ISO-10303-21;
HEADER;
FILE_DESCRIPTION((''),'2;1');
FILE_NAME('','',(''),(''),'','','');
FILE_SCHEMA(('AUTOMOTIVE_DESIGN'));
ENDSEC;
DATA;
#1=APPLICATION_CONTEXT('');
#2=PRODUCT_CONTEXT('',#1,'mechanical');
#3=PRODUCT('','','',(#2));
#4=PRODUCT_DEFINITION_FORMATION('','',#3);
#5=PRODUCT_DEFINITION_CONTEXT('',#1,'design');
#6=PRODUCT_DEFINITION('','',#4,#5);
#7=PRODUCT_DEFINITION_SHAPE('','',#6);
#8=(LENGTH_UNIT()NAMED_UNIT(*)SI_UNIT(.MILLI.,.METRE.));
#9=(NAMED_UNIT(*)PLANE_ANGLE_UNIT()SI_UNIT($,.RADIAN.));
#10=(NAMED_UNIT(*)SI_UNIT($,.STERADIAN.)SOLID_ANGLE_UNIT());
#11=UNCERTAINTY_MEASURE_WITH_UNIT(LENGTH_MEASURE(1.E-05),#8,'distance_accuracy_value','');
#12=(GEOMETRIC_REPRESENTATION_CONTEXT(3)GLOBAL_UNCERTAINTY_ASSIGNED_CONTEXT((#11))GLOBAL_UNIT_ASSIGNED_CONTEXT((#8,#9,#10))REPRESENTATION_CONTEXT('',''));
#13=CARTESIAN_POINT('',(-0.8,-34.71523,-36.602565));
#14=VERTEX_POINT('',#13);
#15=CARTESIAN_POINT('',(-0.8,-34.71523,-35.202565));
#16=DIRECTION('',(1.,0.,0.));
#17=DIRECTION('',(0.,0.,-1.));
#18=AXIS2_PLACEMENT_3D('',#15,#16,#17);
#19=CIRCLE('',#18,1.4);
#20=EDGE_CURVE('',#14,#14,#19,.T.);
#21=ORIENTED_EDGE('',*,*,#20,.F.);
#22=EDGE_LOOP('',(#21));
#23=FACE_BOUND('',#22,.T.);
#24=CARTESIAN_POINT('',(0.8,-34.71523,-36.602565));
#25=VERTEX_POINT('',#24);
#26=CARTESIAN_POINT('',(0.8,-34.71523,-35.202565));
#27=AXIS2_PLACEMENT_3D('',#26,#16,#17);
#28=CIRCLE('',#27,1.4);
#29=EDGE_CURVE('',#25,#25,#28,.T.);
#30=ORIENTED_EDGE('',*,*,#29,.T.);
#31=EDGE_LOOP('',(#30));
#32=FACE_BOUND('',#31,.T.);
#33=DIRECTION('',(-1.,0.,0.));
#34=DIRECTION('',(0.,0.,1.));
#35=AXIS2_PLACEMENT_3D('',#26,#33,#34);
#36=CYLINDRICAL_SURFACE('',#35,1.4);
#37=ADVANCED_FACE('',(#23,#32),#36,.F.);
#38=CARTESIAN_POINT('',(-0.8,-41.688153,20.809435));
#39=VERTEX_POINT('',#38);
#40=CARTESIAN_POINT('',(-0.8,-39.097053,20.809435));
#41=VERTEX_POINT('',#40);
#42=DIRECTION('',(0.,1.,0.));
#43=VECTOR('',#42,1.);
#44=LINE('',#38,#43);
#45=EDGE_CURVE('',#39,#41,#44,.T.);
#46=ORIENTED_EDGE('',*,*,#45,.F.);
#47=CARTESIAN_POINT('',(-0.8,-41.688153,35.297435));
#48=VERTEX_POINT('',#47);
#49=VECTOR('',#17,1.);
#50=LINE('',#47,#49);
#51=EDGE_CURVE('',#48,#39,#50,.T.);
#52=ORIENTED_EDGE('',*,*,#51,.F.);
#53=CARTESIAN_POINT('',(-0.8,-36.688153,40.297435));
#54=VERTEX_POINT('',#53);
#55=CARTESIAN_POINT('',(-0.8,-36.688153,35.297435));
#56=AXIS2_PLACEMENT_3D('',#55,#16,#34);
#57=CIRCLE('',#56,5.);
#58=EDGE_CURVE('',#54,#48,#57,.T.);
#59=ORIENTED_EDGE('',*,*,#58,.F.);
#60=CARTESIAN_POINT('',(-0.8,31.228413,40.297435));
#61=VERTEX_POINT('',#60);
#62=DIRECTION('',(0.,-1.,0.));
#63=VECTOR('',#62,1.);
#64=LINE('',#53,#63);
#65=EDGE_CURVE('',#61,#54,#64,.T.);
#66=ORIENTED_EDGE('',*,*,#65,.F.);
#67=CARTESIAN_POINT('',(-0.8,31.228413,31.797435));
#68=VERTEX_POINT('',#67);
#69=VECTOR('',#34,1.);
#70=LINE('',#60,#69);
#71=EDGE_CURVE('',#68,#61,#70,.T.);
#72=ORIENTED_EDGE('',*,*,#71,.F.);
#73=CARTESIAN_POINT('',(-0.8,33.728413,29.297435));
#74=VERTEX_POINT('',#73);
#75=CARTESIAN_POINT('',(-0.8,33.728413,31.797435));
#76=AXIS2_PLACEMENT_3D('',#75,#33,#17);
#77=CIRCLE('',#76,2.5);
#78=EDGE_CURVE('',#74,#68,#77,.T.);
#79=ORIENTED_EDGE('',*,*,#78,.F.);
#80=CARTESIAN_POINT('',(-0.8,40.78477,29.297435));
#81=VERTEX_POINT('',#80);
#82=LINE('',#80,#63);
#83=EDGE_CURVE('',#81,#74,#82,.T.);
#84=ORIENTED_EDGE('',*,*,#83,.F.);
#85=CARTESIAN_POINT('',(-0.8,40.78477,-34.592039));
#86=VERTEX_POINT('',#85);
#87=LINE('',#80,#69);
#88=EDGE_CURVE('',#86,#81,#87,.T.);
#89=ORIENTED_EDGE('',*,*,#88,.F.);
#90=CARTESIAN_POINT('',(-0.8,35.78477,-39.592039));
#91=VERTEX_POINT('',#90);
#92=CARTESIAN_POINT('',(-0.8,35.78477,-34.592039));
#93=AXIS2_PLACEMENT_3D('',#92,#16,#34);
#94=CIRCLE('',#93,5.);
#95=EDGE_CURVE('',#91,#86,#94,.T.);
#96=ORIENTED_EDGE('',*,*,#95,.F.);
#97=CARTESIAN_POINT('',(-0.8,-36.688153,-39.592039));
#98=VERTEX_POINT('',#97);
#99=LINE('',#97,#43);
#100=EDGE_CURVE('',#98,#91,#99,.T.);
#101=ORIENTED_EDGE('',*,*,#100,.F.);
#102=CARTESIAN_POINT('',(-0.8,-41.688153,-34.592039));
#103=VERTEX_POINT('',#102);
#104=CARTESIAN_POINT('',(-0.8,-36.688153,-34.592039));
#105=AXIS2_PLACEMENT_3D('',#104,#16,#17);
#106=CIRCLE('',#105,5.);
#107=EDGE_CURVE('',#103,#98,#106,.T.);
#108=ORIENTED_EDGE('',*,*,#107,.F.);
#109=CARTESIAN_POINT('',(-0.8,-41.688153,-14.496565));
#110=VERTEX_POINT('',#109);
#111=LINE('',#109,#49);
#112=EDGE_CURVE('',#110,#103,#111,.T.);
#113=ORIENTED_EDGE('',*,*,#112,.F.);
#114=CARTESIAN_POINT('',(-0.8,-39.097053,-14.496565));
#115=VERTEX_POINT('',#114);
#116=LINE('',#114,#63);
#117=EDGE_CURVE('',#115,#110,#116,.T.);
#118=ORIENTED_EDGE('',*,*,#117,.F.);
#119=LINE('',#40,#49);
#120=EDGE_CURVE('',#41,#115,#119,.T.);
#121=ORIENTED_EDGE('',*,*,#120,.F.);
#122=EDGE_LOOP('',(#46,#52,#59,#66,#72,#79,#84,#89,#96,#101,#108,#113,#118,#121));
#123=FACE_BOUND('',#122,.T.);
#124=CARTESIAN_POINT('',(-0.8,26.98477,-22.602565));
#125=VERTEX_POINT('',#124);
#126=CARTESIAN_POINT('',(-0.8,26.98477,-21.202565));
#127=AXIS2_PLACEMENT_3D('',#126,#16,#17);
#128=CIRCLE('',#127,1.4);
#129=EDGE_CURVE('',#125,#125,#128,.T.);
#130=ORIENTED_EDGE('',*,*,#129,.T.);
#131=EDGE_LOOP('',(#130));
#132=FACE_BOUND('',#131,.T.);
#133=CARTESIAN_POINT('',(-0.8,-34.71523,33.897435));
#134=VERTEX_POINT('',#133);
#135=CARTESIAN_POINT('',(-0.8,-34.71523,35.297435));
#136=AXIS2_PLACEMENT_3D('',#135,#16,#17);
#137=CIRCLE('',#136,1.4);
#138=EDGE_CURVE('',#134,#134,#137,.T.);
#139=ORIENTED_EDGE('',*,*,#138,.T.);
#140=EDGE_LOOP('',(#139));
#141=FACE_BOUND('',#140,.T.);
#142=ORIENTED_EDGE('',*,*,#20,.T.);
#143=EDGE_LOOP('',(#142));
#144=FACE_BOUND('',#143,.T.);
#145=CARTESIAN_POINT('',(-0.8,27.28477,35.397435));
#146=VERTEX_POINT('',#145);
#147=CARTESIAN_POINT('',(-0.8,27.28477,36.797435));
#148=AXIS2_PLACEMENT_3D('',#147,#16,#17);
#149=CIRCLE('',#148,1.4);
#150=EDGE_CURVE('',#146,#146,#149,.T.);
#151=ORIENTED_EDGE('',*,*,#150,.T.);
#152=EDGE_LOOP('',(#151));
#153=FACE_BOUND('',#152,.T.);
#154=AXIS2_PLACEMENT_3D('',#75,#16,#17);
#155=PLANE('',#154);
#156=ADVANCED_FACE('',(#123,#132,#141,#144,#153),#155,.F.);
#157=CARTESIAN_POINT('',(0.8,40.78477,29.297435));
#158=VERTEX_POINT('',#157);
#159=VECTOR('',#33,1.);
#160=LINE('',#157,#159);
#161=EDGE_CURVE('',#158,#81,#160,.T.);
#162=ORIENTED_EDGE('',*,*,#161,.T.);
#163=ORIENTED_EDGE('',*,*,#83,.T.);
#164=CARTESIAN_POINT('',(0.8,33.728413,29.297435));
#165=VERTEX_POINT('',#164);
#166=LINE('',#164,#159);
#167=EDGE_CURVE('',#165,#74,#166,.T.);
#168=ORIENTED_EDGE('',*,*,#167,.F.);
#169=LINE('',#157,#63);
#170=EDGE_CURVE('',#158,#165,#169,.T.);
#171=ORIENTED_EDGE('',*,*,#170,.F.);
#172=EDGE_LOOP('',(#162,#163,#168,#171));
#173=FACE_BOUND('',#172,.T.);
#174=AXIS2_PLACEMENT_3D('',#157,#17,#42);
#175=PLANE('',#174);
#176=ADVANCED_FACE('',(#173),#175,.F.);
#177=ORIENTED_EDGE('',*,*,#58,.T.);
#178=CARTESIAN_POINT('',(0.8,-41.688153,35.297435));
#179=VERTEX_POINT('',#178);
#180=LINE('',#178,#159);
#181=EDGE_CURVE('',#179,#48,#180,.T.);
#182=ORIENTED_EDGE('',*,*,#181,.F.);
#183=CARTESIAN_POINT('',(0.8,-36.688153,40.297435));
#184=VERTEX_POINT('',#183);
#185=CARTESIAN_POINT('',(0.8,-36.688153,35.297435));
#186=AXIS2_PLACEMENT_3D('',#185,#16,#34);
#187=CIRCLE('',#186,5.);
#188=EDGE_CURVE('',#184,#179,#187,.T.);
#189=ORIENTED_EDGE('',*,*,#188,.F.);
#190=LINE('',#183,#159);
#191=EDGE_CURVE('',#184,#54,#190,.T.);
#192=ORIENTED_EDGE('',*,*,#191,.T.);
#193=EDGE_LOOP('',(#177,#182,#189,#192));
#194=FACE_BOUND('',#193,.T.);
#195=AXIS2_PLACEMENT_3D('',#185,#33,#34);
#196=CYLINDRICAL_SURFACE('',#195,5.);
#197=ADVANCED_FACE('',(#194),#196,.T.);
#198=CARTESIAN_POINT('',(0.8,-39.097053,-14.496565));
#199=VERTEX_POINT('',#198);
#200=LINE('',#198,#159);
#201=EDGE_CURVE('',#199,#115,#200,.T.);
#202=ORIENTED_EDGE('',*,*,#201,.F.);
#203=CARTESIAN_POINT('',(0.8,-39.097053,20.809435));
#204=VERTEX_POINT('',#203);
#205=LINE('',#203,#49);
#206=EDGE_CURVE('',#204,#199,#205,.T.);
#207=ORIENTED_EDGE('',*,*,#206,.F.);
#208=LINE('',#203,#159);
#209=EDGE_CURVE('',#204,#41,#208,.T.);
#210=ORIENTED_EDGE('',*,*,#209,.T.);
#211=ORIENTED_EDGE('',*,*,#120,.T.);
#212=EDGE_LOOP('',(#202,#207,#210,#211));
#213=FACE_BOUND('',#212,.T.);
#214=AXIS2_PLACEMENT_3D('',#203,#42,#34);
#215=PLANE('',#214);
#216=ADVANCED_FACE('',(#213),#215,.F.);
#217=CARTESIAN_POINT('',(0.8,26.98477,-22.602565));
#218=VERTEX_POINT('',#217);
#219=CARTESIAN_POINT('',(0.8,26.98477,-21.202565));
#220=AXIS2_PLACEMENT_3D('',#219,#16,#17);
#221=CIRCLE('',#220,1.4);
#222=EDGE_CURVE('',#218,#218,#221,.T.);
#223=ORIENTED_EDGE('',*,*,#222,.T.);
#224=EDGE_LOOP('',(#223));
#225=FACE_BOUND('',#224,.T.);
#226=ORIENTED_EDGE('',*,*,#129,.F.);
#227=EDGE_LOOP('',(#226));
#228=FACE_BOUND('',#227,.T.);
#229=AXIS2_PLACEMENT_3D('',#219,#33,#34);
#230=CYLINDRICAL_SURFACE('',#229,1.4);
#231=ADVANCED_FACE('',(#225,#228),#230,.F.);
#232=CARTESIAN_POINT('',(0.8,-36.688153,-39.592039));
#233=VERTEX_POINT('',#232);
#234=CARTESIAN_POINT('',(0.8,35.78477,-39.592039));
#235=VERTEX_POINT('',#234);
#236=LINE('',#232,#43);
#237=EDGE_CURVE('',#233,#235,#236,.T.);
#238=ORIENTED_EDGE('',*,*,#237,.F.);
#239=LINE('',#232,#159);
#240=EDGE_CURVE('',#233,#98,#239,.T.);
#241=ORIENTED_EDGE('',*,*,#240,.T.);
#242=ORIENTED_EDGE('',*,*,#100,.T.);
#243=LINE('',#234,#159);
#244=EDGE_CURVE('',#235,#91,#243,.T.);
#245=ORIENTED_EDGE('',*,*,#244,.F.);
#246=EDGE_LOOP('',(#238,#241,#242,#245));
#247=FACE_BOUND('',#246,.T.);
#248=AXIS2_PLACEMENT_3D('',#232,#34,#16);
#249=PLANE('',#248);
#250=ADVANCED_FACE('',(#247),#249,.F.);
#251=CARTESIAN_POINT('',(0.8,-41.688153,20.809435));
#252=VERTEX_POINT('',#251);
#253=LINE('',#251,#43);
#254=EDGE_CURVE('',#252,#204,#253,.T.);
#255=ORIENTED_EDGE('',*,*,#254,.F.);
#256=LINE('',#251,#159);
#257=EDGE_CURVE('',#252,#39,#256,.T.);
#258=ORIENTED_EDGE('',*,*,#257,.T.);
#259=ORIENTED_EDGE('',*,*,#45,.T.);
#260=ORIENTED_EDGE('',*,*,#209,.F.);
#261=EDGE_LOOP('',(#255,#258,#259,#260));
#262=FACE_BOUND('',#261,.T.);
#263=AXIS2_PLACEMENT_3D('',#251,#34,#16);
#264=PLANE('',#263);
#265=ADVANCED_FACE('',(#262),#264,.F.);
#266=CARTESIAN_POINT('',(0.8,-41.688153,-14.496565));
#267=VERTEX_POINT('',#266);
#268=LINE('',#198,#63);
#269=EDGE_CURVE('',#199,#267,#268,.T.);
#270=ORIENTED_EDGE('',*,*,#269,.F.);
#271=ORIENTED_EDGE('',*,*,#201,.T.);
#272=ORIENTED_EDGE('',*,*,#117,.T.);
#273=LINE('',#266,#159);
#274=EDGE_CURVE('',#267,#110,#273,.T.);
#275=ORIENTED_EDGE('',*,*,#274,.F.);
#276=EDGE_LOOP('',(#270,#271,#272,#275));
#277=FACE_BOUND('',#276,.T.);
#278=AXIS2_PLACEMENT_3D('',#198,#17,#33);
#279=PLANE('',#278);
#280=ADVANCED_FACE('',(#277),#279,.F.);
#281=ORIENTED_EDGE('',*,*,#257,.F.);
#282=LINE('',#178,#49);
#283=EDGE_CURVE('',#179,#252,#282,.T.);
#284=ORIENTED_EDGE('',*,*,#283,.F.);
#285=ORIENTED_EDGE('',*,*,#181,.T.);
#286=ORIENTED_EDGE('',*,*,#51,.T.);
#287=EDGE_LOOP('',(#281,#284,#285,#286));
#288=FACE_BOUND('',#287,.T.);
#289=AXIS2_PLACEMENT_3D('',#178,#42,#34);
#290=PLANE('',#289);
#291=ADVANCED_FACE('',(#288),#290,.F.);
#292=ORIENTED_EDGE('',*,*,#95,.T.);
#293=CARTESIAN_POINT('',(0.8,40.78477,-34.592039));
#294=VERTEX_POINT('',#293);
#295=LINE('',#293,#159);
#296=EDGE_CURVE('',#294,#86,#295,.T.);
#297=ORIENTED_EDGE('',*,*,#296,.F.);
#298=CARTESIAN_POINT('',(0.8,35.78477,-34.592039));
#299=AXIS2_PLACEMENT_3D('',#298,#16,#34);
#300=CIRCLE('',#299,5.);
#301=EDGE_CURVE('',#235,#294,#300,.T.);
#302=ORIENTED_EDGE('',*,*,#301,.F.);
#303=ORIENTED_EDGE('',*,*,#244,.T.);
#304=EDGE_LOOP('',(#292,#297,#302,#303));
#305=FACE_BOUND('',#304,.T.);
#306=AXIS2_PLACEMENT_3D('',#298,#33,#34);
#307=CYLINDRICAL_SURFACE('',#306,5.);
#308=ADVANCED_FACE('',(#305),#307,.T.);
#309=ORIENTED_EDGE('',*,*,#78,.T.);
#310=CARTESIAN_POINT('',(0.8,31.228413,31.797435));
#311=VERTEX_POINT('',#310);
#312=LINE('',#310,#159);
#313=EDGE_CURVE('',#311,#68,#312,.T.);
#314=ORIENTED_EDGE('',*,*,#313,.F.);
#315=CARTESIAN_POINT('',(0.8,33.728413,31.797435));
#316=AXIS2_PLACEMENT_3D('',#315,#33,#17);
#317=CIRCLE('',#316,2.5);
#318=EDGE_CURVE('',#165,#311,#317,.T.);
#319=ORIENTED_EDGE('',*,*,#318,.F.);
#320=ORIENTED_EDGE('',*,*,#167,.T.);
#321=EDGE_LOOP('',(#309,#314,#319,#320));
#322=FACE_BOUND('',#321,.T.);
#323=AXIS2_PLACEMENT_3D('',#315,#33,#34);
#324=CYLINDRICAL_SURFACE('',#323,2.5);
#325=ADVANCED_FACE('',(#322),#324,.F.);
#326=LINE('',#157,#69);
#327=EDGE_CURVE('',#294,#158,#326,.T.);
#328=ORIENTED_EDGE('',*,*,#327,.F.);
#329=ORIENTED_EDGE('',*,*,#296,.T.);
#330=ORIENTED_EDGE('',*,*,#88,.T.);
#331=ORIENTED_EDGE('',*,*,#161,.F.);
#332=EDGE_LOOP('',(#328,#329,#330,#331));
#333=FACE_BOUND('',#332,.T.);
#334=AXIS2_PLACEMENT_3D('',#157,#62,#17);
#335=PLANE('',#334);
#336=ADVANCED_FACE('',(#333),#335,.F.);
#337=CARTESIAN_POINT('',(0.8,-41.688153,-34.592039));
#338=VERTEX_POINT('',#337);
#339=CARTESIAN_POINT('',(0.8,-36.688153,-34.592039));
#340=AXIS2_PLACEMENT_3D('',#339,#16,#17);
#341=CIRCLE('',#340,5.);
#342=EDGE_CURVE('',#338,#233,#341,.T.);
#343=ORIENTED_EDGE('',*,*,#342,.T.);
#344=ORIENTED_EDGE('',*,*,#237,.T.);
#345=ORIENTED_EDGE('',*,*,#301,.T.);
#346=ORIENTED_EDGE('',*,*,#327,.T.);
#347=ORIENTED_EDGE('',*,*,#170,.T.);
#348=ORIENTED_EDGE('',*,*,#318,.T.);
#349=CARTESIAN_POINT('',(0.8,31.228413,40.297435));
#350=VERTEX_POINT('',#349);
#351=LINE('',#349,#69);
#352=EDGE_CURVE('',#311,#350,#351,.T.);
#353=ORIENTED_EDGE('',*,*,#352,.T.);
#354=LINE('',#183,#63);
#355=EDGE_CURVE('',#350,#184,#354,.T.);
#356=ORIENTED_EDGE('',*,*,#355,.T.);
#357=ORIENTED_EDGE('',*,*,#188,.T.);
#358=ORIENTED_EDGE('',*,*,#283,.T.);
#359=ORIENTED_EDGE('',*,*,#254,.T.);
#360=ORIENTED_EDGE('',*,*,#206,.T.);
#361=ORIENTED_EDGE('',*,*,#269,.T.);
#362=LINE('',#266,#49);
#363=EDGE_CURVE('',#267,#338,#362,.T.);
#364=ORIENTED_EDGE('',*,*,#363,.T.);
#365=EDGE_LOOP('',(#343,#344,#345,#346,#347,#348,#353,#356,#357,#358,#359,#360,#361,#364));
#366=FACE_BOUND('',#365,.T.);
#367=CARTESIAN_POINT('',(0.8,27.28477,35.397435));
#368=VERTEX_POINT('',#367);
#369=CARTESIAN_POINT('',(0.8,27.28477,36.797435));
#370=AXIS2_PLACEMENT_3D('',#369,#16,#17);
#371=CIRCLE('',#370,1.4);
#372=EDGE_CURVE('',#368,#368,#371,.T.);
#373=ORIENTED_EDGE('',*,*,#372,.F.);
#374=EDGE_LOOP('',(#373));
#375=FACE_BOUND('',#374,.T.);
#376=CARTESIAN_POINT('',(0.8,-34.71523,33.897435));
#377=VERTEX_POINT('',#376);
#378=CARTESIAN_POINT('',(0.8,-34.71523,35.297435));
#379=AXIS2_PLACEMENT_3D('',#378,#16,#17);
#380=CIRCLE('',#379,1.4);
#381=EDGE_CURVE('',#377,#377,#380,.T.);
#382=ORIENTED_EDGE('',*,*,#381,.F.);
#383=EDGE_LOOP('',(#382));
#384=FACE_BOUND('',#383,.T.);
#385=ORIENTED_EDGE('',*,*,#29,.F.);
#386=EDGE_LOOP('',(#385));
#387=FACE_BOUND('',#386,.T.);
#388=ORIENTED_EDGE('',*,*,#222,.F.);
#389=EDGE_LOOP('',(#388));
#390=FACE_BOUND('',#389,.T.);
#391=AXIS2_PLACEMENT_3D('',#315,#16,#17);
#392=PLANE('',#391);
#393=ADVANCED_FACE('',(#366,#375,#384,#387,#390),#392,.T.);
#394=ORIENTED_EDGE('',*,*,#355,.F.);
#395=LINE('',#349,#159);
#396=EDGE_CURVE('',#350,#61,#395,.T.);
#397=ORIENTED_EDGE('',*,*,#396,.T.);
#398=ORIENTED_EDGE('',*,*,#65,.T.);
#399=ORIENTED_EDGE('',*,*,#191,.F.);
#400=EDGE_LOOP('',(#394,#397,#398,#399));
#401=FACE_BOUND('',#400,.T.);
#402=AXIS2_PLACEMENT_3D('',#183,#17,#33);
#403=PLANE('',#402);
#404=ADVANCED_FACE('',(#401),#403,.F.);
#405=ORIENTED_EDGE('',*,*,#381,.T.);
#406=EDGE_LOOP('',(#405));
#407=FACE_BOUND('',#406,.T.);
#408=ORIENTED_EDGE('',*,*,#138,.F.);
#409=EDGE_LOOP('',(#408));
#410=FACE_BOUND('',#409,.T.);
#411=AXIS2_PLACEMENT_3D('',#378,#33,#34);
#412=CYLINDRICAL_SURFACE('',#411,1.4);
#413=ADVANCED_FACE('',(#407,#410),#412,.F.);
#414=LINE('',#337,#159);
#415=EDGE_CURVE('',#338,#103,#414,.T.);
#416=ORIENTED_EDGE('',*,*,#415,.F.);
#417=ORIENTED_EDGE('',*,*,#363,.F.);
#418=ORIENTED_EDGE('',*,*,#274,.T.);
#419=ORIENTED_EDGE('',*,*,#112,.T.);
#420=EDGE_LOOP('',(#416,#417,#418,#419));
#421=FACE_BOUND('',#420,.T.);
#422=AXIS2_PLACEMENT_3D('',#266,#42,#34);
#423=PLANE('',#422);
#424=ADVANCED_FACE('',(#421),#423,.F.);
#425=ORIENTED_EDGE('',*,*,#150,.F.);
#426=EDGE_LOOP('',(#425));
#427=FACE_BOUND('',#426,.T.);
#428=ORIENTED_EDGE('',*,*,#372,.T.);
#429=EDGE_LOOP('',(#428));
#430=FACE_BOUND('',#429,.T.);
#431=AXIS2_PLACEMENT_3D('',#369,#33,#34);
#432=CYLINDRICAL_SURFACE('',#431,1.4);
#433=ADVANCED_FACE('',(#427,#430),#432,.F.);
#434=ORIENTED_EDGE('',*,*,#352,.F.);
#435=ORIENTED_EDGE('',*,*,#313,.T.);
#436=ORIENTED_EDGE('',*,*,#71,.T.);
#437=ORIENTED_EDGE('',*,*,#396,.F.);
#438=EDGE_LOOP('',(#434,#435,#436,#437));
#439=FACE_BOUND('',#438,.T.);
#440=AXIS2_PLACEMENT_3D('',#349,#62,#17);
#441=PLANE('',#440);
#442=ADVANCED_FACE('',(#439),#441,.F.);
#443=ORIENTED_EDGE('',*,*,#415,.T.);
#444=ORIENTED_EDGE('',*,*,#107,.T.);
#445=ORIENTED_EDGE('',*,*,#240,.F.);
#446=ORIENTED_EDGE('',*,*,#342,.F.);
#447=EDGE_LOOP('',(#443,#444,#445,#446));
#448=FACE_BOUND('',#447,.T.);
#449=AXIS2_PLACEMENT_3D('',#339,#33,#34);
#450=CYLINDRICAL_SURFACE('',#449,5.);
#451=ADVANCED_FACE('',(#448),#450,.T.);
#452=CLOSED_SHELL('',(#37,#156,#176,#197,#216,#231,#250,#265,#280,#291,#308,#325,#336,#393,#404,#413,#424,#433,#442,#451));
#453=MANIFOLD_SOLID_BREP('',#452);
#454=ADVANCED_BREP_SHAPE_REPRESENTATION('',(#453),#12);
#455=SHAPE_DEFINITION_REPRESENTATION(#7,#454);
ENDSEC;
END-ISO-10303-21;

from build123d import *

# Parameters (mm, degrees)
SKETCH1_R           = 1.4
BOSS_EXTRUDE1_DEPTH = 0.8


with BuildPart() as part:
    # Sketch1 → Boss-Extrude1 (new, symmetric)
    with BuildSketch(Plane(origin=(0, 0, 0), x_dir=(0, 0, -1), z_dir=(1, 0, 0))):
        with BuildLine():
            Line((-35.297434934, -41.688153), (-20.809434934, -41.688153))
            Line((-20.809434934, -41.688153), (-20.809434934, -39.097053))
            Line((-20.809434934, -39.097053), (14.496565066, -39.097053))
            Line((14.496565066, -39.097053), (14.496565066, -41.688153))
            Line((14.496565066, -41.688153), (34.592039339, -41.688153))
            ThreePointArc((34.592039339, -41.688153), (38.127573245, -40.223686906), (39.592039339, -36.688153))
            Line((39.592039339, -36.688153), (39.592039339, 35.784769822))
            ThreePointArc((39.592039339, 35.784769822), (38.127573245, 39.320303728), (34.592039339, 40.784769822))
            Line((34.592039339, 40.784769822), (-29.297434934, 40.784769822))
            Line((-29.297434934, 40.784769822), (-29.297434934, 33.728413265))
            ThreePointArc((-29.297434934, 33.728413265), (-30.029667981, 31.960646312), (-31.797434934, 31.228413265))
            Line((-31.797434934, 31.228413265), (-40.297434934, 31.228413265))
            Line((-40.297434934, 31.228413265), (-40.297434934, -36.688153))
            ThreePointArc((-40.297434934, -36.688153), (-38.83296884, -40.223686906), (-35.297434934, -41.688153))
        make_face()
        with Locations((-36.797434934, 27.284769822)):
            Circle(SKETCH1_R, mode=Mode.SUBTRACT)
        with Locations((21.202565066, 26.984769822)):
            Circle(SKETCH1_R, mode=Mode.SUBTRACT)
        with Locations((-35.297434934, -34.715230178)):
            Circle(SKETCH1_R, mode=Mode.SUBTRACT)
        with Locations((35.202565066, -34.715230178)):
            Circle(SKETCH1_R, mode=Mode.SUBTRACT)
    extrude(amount=BOSS_EXTRUDE1_DEPTH, both=True)


solid = part.part
